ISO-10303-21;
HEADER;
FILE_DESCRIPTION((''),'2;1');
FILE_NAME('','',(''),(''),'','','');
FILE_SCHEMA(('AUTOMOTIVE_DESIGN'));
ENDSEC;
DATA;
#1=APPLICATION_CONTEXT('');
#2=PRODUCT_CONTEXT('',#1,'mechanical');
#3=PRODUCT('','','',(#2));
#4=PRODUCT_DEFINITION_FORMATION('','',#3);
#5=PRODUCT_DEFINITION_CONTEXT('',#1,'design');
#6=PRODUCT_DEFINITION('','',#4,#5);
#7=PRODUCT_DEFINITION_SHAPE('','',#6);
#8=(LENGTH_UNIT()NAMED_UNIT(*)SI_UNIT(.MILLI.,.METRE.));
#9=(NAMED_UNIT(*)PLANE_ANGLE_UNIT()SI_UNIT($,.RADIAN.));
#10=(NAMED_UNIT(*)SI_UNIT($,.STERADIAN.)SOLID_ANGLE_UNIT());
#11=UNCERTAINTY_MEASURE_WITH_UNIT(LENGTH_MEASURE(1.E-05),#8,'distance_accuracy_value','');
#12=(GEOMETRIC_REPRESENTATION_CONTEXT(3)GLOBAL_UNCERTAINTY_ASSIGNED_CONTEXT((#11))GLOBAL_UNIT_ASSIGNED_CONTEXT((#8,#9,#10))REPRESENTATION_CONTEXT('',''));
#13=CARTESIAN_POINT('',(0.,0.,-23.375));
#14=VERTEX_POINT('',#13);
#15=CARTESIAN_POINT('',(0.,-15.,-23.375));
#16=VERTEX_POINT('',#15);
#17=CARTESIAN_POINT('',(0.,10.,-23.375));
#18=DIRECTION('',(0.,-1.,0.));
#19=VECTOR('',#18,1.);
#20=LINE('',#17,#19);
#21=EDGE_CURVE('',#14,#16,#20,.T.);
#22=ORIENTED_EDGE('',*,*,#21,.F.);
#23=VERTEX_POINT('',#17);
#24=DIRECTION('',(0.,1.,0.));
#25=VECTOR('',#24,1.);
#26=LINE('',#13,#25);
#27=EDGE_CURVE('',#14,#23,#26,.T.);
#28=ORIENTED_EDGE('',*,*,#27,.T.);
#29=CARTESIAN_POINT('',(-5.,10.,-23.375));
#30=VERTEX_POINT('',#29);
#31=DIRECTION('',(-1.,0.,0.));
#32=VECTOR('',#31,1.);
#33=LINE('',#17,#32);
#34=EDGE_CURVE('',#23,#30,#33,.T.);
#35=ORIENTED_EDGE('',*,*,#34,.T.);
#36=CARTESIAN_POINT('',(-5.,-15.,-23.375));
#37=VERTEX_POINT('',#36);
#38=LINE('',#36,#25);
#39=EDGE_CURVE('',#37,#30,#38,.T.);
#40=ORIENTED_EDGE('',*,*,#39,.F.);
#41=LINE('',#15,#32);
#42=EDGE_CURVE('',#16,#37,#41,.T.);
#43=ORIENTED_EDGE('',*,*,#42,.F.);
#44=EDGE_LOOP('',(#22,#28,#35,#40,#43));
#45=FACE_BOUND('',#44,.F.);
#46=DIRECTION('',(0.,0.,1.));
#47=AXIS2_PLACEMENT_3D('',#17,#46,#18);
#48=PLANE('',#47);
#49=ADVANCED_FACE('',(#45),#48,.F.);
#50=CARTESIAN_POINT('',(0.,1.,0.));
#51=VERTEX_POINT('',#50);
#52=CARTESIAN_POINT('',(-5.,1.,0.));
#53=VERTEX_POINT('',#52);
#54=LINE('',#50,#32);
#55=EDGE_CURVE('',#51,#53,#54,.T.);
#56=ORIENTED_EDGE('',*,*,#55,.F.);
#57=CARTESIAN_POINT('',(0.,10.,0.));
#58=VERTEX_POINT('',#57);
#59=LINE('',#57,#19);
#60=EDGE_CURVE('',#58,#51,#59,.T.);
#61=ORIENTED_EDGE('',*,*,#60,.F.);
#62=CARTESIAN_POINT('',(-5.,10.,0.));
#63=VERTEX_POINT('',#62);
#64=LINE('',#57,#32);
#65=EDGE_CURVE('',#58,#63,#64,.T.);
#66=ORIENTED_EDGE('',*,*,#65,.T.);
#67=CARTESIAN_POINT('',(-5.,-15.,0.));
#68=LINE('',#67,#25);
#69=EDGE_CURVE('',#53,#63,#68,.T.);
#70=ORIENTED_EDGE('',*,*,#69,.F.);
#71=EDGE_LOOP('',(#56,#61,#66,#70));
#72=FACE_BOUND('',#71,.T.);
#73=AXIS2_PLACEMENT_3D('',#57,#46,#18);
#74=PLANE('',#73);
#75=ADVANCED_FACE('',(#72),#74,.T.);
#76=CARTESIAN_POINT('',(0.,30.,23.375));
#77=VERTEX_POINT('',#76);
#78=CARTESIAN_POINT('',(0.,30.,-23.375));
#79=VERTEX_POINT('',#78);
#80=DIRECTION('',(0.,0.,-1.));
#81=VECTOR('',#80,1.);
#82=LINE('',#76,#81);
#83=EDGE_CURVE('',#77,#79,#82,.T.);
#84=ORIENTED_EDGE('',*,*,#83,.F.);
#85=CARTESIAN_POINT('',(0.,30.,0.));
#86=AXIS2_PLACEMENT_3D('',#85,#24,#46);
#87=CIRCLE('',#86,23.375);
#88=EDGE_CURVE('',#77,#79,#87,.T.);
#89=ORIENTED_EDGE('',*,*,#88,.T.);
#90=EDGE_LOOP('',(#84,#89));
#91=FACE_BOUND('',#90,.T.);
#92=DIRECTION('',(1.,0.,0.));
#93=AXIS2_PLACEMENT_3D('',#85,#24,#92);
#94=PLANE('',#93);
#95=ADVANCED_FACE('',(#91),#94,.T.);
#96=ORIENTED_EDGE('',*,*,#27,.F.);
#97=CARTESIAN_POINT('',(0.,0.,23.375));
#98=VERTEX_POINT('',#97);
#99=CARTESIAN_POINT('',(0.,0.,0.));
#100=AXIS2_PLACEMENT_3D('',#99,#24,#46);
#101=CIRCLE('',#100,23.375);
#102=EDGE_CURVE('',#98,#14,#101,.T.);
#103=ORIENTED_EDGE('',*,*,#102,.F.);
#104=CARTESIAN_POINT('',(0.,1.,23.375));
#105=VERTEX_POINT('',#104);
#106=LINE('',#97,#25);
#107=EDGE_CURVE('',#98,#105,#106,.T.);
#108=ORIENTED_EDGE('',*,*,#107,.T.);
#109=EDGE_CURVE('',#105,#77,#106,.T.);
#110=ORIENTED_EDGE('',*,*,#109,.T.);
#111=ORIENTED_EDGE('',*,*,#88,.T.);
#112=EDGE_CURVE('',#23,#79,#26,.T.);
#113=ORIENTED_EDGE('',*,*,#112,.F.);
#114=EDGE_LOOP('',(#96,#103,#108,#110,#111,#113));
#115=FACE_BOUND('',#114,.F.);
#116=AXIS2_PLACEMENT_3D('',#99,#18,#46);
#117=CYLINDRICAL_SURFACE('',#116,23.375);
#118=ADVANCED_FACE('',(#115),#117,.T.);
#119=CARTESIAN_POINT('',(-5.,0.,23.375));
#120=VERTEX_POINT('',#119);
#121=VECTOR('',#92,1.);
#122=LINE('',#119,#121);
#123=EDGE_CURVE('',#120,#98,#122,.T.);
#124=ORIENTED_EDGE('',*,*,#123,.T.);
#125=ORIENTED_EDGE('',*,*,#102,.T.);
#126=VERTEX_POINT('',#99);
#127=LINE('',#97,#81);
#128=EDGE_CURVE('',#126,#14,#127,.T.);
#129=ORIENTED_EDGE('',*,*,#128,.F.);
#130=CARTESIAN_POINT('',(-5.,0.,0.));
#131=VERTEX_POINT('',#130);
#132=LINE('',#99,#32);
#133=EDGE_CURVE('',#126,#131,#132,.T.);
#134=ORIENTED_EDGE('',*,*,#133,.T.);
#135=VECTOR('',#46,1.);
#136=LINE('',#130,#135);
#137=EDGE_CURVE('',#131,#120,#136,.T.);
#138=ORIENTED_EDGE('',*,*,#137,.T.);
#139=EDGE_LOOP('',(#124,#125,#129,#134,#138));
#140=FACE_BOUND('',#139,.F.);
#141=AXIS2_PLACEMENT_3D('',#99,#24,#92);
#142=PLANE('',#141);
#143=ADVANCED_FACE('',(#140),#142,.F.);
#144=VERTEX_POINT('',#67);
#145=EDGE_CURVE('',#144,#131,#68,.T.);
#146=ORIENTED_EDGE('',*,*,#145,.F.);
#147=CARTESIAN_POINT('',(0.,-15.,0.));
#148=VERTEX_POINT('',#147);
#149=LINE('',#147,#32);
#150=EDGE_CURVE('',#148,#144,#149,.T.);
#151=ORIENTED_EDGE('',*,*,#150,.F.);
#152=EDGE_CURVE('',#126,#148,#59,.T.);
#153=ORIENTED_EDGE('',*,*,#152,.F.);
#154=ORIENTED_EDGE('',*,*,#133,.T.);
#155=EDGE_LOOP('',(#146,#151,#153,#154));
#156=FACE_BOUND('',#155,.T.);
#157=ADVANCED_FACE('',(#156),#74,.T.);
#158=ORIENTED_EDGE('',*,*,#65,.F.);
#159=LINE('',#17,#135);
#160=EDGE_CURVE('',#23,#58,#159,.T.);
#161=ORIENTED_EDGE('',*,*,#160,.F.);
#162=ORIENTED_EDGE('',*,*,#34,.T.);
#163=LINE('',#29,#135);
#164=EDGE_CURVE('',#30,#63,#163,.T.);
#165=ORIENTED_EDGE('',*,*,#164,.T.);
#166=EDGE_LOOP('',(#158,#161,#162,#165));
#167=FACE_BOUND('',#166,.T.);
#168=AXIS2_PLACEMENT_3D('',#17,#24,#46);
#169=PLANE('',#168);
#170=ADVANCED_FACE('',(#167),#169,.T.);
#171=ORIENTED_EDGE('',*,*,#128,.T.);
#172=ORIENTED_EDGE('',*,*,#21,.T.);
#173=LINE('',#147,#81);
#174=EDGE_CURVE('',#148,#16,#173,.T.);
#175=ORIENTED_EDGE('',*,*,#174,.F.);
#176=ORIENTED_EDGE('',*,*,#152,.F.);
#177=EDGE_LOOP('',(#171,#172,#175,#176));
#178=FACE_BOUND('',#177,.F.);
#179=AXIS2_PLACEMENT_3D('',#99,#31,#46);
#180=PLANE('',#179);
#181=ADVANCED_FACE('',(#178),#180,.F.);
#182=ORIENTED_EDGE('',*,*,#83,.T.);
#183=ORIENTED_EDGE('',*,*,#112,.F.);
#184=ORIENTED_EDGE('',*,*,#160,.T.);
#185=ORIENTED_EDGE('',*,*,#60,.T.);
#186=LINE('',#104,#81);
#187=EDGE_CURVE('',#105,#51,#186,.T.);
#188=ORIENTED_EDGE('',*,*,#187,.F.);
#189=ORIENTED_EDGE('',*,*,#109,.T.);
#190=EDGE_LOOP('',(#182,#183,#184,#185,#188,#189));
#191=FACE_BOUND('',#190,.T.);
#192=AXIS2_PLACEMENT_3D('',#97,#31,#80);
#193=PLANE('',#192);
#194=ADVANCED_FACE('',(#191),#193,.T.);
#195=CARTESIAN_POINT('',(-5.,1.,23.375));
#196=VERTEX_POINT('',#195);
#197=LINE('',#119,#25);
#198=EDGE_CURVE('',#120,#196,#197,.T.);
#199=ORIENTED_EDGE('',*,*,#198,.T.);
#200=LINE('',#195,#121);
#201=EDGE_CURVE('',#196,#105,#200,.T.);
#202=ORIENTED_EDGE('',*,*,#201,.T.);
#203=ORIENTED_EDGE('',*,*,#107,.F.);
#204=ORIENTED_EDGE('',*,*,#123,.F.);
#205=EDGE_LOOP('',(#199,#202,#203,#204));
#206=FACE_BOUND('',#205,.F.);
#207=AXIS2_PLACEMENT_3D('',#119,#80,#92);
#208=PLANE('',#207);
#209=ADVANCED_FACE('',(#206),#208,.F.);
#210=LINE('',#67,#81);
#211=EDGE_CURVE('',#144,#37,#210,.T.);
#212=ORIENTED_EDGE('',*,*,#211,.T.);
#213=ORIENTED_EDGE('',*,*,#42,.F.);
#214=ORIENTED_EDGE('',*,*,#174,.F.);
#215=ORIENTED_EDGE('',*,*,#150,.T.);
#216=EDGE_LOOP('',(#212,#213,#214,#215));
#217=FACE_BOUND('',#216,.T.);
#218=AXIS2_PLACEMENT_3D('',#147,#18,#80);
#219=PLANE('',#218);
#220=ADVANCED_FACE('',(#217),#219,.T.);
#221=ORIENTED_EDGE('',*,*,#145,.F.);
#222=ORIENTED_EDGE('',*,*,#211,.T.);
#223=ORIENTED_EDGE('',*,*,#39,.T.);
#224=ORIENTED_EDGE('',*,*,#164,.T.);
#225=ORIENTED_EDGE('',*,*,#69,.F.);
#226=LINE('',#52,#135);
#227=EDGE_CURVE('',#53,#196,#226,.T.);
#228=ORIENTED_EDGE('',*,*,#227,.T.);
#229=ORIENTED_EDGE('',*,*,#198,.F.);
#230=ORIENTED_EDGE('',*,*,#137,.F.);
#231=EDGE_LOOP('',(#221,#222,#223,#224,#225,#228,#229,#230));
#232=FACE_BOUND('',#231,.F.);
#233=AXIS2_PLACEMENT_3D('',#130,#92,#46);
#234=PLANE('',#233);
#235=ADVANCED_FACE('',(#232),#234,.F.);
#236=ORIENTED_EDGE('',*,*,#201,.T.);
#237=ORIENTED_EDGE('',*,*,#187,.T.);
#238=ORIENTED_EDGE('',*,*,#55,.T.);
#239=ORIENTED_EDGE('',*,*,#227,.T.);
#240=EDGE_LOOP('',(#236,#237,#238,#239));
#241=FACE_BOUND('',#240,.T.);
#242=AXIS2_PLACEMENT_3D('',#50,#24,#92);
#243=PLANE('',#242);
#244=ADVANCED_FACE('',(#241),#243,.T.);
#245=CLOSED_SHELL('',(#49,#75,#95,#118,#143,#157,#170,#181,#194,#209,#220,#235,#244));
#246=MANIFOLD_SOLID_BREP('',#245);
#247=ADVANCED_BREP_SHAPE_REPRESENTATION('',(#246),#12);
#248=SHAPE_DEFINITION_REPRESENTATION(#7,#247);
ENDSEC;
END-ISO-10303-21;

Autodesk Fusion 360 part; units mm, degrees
sketch "Sketch1" plane through (0, 0, 0) normal (0, 1, 0) x (1, 0, 0)
  arc A0 (0, -23.375) -> (0, 23.375) centre (0, 0) ccw
  arc A1 (0, -23.375) -> (0, 23.375) centre (0, 0) ccw
  line L0 (0, -23.375) -> (0, 23.375)
extrude "Extrude1" add sketch "Sketch1" along normal blind 30
sketch "Sketch2" plane through (0, 0, 0) normal (-1, 0, 0) x (0, 0, 1)
  line L0 (-23.375, 0) -> (23.375, 0)
  line L1 (23.375, 0) -> (23.375, 30)
  line L2 (23.375, 30) -> (-23.375, 30)
  line L3 (-23.375, 30) -> (-23.375, 0)
  line L4 (-23.375, 10) -> (0, 10)
  line L5 (0, 10) -> (0, -15)
  line L6 (0, -15) -> (-23.375, -15)
  line L7 (-23.375, -15) -> (-23.375, 10)
extrude "Extrude2" add sketch "Sketch2" along normal blind 5 contours L0 L3 L4 L5 L7 | L0 L5 L6 L7
sketch "Sketch4" plane through (0, 0, 0) normal (0, 1, 0) x (1, 0, 0)
  line L0 (0, 0) -> (-5, 0)
  line L1 (-5, 0) -> (-5, -23.375)
  line L2 (-5, -23.375) -> (0, -23.375)
  line L3 (0, -23.375) -> (0, 0)
  point P0 (0, -23.375)
extrude "Extrude3" add sketch "Sketch4" along normal blind 1
